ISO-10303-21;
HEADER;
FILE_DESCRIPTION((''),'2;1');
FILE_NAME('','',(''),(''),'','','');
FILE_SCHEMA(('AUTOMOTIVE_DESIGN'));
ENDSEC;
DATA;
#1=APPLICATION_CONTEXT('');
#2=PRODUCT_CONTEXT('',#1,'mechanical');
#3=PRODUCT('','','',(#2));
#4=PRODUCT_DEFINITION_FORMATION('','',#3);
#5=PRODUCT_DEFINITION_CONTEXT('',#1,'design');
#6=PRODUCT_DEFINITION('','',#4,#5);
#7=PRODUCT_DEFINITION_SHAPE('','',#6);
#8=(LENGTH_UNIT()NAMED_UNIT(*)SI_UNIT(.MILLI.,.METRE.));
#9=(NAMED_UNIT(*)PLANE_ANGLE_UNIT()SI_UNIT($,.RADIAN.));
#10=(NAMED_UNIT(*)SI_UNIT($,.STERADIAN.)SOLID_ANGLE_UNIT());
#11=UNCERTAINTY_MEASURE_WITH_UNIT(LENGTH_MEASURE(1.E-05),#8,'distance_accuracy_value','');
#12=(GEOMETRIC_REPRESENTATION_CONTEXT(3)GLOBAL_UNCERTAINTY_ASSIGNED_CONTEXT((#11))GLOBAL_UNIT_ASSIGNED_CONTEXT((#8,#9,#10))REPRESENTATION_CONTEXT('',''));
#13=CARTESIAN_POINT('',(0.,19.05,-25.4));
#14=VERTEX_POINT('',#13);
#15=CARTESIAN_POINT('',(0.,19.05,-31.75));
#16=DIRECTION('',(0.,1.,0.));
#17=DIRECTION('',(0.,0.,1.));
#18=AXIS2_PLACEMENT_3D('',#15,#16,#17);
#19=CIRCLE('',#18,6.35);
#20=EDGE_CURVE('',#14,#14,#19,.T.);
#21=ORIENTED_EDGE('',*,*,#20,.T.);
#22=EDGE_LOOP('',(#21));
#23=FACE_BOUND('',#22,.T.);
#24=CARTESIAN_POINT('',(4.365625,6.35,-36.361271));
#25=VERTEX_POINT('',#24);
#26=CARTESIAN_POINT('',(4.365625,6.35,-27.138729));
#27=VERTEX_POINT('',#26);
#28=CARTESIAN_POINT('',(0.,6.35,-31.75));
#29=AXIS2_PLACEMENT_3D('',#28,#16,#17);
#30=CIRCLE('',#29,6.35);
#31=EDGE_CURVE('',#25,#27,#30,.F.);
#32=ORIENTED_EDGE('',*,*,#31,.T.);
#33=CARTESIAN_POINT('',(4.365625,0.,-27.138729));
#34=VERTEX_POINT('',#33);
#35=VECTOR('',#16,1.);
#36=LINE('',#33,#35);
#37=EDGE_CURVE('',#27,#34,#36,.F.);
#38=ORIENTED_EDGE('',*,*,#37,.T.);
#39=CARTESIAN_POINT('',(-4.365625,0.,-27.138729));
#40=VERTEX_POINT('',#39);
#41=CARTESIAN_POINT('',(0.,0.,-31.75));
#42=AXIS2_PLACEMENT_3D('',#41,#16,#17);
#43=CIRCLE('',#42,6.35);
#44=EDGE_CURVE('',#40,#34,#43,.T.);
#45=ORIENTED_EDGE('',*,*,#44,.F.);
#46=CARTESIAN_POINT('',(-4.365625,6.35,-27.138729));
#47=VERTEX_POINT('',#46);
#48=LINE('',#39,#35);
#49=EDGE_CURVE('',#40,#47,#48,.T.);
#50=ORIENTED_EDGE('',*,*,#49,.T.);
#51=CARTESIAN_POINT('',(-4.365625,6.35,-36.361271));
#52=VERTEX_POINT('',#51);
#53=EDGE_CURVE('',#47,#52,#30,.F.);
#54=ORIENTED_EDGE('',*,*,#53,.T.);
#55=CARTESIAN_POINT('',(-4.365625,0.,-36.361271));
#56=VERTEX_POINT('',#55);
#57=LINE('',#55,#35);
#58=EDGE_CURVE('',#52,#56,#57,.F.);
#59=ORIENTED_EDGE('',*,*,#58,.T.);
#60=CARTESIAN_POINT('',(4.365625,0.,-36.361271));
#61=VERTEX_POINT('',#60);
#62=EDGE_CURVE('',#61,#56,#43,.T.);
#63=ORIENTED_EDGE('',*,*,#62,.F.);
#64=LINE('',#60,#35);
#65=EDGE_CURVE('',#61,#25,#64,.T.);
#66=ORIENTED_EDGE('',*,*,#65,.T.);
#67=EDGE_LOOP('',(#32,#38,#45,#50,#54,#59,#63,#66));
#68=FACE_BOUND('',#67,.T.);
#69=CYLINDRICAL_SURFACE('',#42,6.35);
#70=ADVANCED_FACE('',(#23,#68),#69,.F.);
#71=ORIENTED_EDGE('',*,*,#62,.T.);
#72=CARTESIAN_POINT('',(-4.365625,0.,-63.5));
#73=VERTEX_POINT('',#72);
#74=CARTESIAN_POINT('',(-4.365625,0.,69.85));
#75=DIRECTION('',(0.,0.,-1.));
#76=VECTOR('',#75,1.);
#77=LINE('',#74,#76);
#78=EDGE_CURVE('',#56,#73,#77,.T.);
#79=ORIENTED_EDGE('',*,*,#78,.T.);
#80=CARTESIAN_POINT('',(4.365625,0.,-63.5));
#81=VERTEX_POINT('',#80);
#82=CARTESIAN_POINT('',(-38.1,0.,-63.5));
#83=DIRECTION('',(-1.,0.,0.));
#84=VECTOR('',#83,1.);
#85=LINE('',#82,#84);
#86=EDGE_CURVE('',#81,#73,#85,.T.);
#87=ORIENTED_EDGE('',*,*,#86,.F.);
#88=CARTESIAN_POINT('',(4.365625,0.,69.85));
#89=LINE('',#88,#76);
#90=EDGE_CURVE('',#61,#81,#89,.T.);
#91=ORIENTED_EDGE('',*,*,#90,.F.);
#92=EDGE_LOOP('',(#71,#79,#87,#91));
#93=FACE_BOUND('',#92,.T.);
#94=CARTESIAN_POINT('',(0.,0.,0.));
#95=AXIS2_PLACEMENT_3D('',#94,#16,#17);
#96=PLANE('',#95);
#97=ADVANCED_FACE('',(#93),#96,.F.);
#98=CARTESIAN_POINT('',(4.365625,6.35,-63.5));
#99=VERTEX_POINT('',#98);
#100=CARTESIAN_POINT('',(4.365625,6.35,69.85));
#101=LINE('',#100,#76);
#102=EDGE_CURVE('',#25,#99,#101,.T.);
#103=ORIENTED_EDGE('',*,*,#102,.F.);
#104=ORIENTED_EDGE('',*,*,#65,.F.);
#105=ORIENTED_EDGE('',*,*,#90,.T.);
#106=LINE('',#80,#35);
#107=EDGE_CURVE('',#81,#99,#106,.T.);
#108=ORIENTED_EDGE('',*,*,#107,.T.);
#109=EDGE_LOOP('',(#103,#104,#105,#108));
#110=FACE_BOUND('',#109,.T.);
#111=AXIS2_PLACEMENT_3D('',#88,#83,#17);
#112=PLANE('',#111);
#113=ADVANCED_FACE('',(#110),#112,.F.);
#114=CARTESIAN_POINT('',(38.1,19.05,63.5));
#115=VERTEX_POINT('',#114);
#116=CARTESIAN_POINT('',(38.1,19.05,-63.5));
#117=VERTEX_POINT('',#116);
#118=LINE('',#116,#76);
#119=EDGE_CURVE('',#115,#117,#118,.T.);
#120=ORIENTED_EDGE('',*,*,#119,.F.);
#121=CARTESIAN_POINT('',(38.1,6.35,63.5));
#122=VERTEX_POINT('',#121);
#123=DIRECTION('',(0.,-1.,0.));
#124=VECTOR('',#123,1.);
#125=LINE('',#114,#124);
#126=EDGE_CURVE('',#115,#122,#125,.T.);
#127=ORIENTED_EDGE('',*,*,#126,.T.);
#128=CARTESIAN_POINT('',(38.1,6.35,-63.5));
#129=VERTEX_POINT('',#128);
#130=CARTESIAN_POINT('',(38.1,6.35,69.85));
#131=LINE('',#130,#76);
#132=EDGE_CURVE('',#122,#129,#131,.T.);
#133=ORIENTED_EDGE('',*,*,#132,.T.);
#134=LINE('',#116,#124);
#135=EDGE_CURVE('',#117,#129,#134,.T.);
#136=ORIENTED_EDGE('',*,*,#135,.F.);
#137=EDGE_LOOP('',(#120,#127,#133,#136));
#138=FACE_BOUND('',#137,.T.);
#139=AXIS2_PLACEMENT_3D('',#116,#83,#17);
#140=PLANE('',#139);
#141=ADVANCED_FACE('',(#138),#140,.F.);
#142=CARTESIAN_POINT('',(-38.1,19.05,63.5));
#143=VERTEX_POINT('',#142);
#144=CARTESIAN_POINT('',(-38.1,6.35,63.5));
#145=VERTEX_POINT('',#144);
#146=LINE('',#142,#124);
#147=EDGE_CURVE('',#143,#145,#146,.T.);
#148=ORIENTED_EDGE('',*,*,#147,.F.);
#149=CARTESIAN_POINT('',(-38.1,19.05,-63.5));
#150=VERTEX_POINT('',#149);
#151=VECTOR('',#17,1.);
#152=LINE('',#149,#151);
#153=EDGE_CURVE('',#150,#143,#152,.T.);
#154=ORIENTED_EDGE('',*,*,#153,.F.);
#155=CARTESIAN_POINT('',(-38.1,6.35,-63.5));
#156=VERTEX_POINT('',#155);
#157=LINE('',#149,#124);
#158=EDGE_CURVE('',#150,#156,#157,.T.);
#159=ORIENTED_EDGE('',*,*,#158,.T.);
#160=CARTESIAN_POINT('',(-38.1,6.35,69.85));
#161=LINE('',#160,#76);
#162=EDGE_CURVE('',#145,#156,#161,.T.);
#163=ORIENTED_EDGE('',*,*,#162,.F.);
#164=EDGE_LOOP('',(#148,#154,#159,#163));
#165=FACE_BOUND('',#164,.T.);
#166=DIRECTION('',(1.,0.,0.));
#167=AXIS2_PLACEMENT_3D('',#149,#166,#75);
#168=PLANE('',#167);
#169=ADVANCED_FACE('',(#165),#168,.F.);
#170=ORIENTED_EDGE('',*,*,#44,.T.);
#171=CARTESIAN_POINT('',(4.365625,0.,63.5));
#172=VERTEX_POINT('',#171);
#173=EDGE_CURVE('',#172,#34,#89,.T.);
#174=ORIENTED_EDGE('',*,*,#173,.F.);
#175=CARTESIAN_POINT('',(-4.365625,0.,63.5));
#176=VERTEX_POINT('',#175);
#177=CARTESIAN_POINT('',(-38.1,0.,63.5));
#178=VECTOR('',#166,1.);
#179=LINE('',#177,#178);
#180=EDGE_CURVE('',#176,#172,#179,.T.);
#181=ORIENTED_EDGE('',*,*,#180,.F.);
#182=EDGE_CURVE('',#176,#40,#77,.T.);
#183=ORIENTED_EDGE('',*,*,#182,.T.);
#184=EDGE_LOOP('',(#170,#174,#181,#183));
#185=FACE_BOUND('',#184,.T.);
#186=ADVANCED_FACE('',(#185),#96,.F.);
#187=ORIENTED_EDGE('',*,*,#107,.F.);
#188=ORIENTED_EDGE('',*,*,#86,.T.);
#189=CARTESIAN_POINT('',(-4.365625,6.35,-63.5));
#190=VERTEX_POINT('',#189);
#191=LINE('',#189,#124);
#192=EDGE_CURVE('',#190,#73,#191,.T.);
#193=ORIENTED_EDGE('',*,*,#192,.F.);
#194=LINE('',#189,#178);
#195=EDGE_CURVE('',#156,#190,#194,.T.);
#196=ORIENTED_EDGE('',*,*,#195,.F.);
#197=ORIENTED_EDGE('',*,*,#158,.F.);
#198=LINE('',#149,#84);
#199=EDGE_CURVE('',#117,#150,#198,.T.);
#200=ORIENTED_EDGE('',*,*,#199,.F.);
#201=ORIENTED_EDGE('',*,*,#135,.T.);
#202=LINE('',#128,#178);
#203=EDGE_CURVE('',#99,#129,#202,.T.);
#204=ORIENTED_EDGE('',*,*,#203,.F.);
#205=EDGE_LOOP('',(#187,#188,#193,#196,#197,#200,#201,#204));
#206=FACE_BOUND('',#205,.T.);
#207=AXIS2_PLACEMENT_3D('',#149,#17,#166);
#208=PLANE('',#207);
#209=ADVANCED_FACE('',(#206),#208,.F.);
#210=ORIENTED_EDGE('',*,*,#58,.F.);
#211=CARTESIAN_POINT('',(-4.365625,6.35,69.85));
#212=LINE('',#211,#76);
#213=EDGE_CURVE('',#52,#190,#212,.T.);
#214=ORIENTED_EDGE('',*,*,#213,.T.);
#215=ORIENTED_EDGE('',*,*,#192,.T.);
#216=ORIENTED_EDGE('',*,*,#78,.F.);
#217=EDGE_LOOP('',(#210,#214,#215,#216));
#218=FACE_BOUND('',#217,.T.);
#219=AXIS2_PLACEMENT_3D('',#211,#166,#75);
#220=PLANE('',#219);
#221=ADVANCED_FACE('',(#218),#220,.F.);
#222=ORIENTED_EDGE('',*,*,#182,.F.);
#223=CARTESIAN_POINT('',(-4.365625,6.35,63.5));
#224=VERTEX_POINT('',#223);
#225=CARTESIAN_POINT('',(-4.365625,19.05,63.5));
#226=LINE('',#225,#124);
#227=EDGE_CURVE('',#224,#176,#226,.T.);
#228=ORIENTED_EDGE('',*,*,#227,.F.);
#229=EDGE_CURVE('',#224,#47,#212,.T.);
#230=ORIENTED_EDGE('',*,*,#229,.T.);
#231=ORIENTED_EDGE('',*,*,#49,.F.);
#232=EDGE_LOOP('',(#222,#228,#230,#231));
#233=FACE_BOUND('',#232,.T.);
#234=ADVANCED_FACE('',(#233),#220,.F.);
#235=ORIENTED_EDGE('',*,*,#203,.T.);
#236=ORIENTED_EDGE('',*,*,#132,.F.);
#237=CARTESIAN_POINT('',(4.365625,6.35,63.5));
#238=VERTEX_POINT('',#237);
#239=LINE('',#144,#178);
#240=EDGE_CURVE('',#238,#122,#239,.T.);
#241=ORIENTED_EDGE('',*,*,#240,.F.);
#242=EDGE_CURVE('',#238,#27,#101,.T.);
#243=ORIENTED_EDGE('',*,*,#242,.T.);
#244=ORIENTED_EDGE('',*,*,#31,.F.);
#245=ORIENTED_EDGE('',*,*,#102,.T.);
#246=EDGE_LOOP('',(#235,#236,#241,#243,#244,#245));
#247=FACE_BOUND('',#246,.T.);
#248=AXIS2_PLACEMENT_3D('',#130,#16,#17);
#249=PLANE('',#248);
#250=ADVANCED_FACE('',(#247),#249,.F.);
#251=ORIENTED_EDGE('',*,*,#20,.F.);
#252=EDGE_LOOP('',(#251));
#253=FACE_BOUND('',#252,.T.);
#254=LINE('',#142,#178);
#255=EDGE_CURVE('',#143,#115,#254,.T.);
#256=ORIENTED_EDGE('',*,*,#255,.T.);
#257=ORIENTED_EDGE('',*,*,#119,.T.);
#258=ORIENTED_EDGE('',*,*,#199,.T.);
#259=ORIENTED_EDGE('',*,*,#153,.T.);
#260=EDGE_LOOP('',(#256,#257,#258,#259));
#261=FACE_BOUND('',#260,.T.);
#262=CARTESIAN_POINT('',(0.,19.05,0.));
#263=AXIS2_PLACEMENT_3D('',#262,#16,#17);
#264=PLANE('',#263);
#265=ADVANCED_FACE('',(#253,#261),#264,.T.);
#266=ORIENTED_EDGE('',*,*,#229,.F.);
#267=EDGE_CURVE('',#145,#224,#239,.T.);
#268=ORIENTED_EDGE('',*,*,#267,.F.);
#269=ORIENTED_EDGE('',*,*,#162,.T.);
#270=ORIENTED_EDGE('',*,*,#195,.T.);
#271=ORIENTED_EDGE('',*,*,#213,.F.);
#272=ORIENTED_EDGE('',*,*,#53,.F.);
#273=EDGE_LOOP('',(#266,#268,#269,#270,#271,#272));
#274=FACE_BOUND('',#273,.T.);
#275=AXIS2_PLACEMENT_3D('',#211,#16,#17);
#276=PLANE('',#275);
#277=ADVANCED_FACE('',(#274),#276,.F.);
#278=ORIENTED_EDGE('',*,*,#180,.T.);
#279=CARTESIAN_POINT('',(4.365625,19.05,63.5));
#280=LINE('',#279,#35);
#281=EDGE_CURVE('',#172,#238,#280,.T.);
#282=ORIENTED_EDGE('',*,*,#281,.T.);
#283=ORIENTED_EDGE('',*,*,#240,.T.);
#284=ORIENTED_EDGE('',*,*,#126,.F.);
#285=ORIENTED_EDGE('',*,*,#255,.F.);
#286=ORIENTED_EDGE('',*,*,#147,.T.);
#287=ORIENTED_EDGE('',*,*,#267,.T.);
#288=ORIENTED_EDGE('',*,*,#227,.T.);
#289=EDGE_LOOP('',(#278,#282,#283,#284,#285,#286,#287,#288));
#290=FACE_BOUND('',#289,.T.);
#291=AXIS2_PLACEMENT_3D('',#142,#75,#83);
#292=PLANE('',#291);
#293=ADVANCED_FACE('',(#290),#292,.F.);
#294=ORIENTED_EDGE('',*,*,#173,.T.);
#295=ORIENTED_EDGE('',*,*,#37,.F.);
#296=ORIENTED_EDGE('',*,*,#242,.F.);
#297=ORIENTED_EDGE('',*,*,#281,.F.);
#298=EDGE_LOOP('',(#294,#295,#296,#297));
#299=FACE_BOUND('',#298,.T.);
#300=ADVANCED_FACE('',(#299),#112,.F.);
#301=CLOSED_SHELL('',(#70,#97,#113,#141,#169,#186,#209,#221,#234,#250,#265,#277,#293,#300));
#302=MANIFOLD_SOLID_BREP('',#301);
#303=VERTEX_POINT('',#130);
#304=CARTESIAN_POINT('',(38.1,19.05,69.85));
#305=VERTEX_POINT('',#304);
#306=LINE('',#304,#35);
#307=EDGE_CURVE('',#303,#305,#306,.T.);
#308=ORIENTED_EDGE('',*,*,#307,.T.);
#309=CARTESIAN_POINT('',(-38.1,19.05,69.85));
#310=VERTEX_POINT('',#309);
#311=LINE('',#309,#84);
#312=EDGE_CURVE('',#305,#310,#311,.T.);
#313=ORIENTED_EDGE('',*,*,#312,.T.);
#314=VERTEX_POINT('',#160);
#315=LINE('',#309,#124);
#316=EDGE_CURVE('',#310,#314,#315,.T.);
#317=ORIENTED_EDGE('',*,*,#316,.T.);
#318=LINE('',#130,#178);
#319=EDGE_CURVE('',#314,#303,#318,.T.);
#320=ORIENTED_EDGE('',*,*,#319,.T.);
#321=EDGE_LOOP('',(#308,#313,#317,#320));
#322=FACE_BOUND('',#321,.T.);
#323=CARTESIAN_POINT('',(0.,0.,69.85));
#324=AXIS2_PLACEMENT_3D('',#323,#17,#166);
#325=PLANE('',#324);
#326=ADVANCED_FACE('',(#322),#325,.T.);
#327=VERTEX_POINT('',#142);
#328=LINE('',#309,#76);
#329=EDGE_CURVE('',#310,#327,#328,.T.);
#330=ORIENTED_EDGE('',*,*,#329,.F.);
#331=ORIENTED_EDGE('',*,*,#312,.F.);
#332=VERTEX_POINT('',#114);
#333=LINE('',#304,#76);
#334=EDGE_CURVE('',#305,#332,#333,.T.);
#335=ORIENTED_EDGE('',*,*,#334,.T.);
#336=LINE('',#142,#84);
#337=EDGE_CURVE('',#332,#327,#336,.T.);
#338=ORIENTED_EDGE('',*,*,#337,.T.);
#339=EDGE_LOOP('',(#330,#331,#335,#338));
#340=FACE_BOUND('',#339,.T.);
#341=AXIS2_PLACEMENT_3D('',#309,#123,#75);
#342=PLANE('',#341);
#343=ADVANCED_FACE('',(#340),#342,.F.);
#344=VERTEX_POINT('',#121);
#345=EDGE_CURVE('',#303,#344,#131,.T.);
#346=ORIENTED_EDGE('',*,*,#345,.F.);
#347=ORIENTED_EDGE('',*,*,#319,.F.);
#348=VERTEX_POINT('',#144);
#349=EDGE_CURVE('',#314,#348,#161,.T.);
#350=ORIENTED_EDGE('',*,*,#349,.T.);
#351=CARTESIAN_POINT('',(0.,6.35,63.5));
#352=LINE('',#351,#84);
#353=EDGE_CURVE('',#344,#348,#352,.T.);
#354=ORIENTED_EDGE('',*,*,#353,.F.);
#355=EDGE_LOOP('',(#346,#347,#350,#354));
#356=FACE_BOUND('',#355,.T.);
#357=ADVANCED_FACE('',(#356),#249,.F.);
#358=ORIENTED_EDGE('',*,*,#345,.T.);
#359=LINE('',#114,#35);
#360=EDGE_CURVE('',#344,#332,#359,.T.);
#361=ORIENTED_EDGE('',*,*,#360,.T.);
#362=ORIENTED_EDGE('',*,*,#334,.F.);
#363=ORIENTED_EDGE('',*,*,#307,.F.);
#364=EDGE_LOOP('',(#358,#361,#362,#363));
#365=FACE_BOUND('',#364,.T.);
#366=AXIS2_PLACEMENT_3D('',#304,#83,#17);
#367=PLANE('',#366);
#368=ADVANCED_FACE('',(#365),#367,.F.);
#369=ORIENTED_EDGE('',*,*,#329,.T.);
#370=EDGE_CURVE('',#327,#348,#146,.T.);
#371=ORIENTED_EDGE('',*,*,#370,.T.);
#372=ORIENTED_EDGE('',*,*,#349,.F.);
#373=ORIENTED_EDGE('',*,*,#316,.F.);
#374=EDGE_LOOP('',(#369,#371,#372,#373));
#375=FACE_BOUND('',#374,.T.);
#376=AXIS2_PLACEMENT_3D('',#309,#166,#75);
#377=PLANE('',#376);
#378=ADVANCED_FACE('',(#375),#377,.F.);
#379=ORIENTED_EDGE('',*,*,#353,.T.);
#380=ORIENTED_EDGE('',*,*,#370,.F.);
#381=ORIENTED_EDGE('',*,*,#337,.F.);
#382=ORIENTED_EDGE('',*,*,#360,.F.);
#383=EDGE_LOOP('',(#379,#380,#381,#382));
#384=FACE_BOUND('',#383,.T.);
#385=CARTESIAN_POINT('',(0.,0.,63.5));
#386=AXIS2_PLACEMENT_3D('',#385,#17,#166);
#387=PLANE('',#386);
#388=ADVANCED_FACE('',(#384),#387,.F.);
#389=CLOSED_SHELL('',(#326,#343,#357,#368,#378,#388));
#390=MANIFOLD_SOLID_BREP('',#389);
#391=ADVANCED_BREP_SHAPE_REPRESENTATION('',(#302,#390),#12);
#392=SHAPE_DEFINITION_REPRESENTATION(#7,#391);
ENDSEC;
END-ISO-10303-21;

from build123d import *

# Parameters (mm, degrees)
SKETCH1_W           = 76.2
SKETCH1_H           = 127
BOSS_EXTRUDE1_DEPTH = 19.05
SKETCH2_R           = 6.35
CUT_EXTRUDE1_DEPTH  = 77.464125575
SKETCH3_W           = 76.2
SKETCH3_H           = 19.05
BOSS_EXTRUDE2_DEPTH = 6.35
SKETCH4_W           = 33.734375
SKETCH4_H           = 6.35
CUT_EXTRUDE2_DEPTH  = 140.9883388
SKETCH5_W           = 8.73125
SKETCH5_H           = 6.35
CUT_EXTRUDE3_DEPTH  = 6.35


with BuildPart() as part:
    # Sketch1 → Boss-Extrude1 (new body)
    with BuildSketch(Plane(origin=(0, 0, 0), x_dir=(1, 0, 0), z_dir=(0, 1, 0))):
        Rectangle(SKETCH1_W, SKETCH1_H)
    extrude(amount=BOSS_EXTRUDE1_DEPTH)

    # Sketch2 → Cut-Extrude1 (cut, through all)
    with BuildSketch(Plane(origin=(0, 19.05, 0), x_dir=(1, 0, 0), z_dir=(0, 1, 0))):
        with Locations(Location((0, 31.75, 0), (0, 0, 270))):
            Circle(SKETCH2_R)
    extrude(amount=-CUT_EXTRUDE1_DEPTH, mode=Mode.SUBTRACT)


with BuildPart() as body_2:
    # Sketch3 → Boss-Extrude2 (new body)
    with BuildSketch(Plane.XY.offset(63.5)):
        with Locations((0, 9.525)):
            Rectangle(SKETCH3_W, SKETCH3_H)
    extrude(amount=BOSS_EXTRUDE2_DEPTH)


with BuildPart() as cut_extrude2_tool:
    # Sketch4 → Cut-Extrude2 (new, through all)
    with BuildSketch(Plane(origin=(0, 0, -63.5), x_dir=(-1, 0, 0), z_dir=(0, 0, -1))):
        with Locations((-21.2328125, 3.175)):
            Rectangle(SKETCH4_W, SKETCH4_H)
        with Locations((21.2328125, 3.175)):
            Rectangle(SKETCH4_W, SKETCH4_H)
    extrude(amount=-CUT_EXTRUDE2_DEPTH)


with BuildPart() as part_1:
    add(part.part)

    # Cut-Extrude2: cut by cut_extrude2_tool
    add(cut_extrude2_tool.part, mode=Mode.SUBTRACT)


with BuildPart() as body_2_1:
    add(body_2.part)

    # Cut-Extrude2: cut by cut_extrude2_tool
    add(cut_extrude2_tool.part, mode=Mode.SUBTRACT)

    # Sketch5 → Cut-Extrude3 (cut)
    with BuildSketch(Plane.XY.offset(69.85)):
        with Locations((0, 3.175)):
            Rectangle(SKETCH5_W, SKETCH5_H)
    extrude(amount=-CUT_EXTRUDE3_DEPTH, mode=Mode.SUBTRACT)


solid = Compound([part_1.part, body_2_1.part])
